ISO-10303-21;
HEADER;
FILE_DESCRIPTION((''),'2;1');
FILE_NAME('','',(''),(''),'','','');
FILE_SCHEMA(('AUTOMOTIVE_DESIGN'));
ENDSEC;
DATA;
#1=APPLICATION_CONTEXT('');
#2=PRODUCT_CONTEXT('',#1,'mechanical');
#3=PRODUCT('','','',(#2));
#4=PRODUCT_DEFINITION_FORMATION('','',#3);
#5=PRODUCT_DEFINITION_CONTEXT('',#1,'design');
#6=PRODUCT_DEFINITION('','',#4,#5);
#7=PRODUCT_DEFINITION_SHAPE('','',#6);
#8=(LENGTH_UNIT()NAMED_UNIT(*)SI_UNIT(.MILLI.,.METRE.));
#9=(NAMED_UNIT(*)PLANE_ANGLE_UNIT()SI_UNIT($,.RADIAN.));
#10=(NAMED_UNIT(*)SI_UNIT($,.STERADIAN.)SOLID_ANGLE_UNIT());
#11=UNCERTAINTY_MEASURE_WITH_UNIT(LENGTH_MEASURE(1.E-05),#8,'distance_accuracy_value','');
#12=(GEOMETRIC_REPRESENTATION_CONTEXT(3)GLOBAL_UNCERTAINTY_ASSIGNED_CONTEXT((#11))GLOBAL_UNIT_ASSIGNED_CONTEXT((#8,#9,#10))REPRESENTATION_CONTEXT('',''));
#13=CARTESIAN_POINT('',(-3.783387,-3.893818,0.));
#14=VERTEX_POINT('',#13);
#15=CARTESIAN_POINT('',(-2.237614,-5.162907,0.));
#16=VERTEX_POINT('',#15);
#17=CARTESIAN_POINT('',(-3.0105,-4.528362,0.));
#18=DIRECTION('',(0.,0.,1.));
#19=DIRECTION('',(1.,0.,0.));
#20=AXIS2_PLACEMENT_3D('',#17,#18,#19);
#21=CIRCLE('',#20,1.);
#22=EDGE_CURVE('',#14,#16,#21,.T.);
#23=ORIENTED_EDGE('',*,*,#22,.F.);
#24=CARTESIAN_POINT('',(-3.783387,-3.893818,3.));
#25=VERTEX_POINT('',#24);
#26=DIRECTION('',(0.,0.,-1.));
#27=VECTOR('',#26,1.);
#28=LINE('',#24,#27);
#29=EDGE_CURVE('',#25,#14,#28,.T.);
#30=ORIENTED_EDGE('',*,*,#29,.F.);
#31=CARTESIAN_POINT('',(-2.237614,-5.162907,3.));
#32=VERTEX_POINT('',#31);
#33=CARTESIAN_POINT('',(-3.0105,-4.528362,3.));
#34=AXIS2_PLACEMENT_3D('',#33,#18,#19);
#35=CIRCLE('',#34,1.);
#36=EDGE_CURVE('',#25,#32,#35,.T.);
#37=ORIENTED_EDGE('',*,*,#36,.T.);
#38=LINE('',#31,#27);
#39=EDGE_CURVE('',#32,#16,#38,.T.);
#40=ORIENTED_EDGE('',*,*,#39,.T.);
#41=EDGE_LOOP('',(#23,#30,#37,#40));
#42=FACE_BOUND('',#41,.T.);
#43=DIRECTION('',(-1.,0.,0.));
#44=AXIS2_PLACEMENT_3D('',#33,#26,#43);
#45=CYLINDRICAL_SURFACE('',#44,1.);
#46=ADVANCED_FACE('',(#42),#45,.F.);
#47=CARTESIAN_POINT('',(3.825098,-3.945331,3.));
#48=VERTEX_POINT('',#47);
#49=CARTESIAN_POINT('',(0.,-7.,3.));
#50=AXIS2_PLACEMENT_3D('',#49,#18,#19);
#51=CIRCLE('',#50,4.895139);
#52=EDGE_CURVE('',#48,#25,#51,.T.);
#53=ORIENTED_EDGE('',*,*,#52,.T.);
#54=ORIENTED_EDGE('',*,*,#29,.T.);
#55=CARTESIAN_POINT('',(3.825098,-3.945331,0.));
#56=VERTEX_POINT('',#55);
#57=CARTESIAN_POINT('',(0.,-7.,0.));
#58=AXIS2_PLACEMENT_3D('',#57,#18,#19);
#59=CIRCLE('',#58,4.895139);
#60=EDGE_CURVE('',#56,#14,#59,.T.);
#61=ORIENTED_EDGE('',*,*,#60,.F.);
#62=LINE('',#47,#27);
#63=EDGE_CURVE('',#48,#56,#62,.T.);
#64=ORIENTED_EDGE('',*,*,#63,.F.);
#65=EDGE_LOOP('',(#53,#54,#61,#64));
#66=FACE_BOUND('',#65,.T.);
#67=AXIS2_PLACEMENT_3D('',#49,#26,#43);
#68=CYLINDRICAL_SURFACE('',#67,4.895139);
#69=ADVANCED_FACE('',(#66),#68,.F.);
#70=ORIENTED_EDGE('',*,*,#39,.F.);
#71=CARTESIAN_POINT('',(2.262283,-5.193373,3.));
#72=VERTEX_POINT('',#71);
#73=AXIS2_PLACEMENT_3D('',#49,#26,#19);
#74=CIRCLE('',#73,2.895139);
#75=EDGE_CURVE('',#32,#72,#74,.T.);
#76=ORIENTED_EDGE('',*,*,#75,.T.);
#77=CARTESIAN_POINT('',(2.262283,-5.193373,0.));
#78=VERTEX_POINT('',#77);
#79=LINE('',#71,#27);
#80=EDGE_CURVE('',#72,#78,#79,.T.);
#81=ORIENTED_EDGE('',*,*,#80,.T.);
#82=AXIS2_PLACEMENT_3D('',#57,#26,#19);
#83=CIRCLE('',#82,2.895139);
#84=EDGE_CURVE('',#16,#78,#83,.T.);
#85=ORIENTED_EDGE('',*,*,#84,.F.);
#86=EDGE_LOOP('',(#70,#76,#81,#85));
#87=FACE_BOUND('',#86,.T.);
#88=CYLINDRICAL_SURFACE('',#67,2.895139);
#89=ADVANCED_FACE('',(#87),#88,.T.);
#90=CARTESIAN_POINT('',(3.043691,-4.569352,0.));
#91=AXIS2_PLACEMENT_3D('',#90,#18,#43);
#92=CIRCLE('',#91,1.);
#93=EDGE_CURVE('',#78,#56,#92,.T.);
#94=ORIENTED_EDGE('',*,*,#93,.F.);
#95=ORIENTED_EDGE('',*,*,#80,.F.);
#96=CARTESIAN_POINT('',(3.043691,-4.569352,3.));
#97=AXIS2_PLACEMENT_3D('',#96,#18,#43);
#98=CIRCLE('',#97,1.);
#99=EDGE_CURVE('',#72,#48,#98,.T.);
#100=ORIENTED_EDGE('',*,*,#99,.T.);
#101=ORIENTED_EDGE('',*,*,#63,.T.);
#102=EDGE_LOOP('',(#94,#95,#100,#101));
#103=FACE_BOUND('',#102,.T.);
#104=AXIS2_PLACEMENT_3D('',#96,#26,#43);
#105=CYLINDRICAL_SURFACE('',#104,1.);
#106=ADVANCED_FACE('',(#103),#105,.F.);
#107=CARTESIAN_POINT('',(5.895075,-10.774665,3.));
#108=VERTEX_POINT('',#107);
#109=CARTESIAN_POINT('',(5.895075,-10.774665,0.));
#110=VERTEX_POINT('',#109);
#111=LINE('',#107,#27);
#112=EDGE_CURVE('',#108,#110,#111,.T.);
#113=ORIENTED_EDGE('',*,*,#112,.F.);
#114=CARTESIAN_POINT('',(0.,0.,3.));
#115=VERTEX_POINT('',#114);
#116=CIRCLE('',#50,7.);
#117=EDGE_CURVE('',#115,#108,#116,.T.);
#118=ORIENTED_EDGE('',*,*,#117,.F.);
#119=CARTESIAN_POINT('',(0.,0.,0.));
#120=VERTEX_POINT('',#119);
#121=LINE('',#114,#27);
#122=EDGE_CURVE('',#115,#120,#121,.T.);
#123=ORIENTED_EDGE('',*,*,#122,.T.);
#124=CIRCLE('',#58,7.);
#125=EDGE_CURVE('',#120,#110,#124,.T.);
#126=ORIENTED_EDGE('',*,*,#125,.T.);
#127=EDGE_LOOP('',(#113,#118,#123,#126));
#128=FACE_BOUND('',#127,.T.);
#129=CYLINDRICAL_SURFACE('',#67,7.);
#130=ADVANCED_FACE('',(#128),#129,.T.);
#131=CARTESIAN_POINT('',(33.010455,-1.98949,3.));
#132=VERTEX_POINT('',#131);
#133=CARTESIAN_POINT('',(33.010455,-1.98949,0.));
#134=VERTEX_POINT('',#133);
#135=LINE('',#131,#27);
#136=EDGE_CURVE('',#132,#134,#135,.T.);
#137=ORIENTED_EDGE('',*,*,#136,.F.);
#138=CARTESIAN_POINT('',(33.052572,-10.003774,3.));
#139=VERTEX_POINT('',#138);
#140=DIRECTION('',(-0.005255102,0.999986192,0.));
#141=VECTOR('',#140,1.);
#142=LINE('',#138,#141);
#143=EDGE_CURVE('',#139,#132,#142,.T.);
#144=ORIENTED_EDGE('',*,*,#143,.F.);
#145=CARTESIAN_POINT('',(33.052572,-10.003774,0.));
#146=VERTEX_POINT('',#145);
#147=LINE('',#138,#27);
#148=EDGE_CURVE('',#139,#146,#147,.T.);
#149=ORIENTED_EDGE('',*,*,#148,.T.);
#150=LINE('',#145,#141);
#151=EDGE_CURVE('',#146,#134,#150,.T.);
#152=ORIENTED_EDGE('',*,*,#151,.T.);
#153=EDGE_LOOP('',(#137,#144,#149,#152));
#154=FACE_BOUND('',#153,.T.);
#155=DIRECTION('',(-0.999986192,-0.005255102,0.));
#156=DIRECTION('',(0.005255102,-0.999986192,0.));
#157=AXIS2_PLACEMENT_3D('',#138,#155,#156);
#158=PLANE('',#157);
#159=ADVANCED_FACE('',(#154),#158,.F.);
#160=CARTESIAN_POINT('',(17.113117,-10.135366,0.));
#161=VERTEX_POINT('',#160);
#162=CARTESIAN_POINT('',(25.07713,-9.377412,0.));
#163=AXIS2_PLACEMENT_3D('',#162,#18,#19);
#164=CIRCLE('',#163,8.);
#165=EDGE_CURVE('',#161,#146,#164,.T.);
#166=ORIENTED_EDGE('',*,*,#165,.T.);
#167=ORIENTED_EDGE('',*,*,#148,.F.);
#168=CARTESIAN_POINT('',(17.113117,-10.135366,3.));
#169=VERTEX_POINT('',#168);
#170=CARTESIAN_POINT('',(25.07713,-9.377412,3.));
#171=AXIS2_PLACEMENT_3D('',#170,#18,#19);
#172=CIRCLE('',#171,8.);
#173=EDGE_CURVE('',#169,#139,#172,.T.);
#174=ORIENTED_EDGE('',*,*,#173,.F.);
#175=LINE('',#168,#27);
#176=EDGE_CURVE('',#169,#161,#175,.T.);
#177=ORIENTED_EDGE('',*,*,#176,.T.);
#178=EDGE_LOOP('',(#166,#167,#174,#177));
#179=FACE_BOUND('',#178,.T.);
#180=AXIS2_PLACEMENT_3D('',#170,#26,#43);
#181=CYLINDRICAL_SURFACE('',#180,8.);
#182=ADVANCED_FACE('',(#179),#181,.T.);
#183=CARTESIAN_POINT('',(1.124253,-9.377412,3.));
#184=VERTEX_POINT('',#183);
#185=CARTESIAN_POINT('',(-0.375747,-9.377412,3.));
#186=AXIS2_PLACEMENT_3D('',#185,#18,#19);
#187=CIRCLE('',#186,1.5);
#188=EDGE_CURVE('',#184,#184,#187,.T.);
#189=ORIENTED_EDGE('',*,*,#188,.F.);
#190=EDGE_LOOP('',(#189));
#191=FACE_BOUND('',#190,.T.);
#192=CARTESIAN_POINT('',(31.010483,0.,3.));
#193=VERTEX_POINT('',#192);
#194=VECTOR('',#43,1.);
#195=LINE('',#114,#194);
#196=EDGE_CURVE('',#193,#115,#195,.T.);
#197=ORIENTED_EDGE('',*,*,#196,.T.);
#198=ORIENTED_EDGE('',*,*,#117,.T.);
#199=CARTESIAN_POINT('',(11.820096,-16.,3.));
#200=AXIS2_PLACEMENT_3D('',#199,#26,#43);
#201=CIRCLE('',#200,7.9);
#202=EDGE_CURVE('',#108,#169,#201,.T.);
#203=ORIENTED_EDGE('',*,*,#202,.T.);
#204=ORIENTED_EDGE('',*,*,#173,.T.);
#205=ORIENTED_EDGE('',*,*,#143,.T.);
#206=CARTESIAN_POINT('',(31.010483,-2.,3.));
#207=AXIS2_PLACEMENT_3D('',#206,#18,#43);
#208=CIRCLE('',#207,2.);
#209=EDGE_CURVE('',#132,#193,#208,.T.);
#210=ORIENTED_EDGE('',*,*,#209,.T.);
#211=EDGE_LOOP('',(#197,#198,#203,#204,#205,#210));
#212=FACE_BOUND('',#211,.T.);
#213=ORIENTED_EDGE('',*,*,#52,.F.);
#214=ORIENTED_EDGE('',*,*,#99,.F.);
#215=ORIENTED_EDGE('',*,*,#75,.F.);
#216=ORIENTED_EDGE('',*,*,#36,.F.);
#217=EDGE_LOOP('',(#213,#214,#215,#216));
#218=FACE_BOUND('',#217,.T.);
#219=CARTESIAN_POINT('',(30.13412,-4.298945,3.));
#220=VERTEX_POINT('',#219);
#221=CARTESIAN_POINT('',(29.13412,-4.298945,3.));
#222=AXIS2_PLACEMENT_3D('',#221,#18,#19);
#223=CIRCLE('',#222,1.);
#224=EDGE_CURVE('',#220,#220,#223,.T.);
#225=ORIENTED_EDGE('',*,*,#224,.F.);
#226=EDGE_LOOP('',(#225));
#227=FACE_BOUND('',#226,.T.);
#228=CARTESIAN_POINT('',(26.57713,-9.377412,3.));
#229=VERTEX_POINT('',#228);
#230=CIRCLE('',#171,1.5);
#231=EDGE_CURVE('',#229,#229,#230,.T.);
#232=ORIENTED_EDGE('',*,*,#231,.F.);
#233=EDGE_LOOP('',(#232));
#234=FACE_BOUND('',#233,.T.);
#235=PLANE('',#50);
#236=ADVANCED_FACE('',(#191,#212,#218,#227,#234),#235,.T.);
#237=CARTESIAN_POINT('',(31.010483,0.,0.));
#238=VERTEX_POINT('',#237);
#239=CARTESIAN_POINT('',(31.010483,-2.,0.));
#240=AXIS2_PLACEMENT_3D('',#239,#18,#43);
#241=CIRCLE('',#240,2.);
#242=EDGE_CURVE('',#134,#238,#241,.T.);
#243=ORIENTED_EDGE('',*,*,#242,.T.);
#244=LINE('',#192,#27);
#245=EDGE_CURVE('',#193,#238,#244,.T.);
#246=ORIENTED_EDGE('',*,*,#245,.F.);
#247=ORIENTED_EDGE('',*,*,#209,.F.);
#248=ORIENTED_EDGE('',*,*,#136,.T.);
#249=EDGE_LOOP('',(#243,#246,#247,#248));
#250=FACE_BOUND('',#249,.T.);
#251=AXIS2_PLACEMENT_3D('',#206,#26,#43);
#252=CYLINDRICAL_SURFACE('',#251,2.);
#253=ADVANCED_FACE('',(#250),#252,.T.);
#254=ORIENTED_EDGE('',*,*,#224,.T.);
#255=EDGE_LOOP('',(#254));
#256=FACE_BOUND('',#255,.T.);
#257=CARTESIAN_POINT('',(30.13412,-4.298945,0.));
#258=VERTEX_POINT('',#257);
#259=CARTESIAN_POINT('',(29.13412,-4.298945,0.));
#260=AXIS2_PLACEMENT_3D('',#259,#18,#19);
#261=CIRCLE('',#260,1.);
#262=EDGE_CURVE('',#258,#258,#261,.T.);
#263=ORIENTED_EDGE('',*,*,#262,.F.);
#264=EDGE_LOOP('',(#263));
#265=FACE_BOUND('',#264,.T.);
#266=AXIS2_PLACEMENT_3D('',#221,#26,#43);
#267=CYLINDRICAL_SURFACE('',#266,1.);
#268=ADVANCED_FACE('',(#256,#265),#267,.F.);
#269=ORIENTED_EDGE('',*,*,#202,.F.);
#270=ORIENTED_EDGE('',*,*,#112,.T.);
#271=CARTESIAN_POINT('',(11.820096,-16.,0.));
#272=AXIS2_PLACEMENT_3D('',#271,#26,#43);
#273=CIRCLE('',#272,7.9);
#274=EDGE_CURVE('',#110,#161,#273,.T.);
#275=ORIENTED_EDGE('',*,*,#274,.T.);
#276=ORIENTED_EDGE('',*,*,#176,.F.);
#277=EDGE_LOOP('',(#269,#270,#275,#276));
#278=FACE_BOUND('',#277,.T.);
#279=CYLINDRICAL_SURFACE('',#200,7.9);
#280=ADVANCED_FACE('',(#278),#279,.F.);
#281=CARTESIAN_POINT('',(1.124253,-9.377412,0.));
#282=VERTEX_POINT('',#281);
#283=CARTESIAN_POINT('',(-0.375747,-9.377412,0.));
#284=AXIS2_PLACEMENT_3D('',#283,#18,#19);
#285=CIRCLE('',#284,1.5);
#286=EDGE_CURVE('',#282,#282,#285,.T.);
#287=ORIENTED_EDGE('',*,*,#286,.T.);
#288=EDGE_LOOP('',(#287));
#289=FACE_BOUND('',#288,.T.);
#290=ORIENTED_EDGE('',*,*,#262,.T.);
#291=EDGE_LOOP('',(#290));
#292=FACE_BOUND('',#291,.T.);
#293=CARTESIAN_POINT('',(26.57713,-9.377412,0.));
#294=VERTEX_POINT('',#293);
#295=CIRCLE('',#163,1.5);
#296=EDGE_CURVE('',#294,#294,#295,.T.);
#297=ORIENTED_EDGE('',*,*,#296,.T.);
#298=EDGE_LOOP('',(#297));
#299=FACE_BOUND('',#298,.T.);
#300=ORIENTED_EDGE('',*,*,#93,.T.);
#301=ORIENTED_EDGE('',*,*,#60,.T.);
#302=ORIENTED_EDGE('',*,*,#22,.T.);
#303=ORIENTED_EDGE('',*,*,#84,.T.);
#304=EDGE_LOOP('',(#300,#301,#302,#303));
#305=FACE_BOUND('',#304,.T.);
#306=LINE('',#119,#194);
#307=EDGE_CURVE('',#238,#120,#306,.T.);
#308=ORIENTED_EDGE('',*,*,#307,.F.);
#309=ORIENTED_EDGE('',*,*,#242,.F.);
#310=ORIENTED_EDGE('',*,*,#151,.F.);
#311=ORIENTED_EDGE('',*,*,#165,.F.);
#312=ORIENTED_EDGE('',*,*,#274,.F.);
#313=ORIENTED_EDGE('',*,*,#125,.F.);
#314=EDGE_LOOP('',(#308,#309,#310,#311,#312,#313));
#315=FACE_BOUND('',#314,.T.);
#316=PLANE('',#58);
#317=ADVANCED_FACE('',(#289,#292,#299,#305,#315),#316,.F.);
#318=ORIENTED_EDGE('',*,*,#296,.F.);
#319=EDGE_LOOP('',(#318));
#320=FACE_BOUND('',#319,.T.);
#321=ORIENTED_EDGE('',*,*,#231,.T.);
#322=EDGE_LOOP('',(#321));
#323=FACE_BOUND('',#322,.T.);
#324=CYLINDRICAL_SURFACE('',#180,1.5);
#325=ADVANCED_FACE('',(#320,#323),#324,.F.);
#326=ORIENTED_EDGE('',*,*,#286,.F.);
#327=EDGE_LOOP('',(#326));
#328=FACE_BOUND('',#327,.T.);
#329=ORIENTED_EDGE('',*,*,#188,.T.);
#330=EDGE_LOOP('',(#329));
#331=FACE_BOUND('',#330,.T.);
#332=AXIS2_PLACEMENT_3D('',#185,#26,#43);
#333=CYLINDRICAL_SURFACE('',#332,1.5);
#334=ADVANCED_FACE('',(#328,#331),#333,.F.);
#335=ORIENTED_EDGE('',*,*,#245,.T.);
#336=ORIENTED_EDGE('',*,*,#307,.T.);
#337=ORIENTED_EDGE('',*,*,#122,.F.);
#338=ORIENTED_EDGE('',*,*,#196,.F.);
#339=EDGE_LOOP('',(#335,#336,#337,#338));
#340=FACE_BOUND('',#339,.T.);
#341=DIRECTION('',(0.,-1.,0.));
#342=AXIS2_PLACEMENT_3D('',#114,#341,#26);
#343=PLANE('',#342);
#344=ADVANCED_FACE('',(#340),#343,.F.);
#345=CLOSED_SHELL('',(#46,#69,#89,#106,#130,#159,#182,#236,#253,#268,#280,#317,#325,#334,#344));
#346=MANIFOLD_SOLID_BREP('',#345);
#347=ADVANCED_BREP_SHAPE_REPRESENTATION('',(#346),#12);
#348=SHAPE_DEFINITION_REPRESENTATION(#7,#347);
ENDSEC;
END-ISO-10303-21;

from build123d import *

# Parameters (mm, degrees)
SKETCH1_R           = 1.5
SKETCH1_R_2         = 1
BOSS_EXTRUDE1_DEPTH = 3


with BuildPart() as part:
    # Sketch1 → Boss-Extrude1 (new body)
    with BuildSketch(Plane.XY):
        with BuildLine():
            Line((0, 0), (31.010482732, 0))
            ThreePointArc((31.010482732, 0), (32.420975481, -0.582075389), (33.010455116, -1.989489797))
            Line((33.010455116, -1.989489797), (33.052571579, -10.003774465))
            ThreePointArc((33.052571579, -10.003774465), (25.143173524, -17.377139631), (17.113116724, -10.13536642))
            ThreePointArc((17.113116724, -10.13536642), (11.370616348, -8.112797173), (5.895074629, -10.774664902))
            ThreePointArc((5.895074629, -10.774664902), (-6.140954906, -10.359862027), (0, 0))
        make_face()
        with Locations((25.077129875, -9.377412246)):
            Circle(SKETCH1_R, mode=Mode.SUBTRACT)
        with Locations((29.13412022, -4.298945023)):
            Circle(SKETCH1_R_2, mode=Mode.SUBTRACT)
        with Locations((-0.375746772, -9.377412246)):
            Circle(SKETCH1_R, mode=Mode.SUBTRACT)
        with BuildLine():
            ThreePointArc((2.262283142, -5.193372604), (0.019600772, -4.104927744), (-2.237613726, -5.162906542))
            ThreePointArc((-2.237613726, -5.162906542), (-3.645044504, -5.301248889), (-3.783386851, -3.893818111))
            ThreePointArc((-3.783386851, -3.893818111), (0.033141244, -2.10497358), (3.825098224, -3.945330531))
            ThreePointArc((3.825098224, -3.945330531), (3.66771172, -5.350759109), (2.262283142, -5.193372604))
        make_face(mode=Mode.SUBTRACT)
    extrude(amount=BOSS_EXTRUDE1_DEPTH)


solid = part.part
